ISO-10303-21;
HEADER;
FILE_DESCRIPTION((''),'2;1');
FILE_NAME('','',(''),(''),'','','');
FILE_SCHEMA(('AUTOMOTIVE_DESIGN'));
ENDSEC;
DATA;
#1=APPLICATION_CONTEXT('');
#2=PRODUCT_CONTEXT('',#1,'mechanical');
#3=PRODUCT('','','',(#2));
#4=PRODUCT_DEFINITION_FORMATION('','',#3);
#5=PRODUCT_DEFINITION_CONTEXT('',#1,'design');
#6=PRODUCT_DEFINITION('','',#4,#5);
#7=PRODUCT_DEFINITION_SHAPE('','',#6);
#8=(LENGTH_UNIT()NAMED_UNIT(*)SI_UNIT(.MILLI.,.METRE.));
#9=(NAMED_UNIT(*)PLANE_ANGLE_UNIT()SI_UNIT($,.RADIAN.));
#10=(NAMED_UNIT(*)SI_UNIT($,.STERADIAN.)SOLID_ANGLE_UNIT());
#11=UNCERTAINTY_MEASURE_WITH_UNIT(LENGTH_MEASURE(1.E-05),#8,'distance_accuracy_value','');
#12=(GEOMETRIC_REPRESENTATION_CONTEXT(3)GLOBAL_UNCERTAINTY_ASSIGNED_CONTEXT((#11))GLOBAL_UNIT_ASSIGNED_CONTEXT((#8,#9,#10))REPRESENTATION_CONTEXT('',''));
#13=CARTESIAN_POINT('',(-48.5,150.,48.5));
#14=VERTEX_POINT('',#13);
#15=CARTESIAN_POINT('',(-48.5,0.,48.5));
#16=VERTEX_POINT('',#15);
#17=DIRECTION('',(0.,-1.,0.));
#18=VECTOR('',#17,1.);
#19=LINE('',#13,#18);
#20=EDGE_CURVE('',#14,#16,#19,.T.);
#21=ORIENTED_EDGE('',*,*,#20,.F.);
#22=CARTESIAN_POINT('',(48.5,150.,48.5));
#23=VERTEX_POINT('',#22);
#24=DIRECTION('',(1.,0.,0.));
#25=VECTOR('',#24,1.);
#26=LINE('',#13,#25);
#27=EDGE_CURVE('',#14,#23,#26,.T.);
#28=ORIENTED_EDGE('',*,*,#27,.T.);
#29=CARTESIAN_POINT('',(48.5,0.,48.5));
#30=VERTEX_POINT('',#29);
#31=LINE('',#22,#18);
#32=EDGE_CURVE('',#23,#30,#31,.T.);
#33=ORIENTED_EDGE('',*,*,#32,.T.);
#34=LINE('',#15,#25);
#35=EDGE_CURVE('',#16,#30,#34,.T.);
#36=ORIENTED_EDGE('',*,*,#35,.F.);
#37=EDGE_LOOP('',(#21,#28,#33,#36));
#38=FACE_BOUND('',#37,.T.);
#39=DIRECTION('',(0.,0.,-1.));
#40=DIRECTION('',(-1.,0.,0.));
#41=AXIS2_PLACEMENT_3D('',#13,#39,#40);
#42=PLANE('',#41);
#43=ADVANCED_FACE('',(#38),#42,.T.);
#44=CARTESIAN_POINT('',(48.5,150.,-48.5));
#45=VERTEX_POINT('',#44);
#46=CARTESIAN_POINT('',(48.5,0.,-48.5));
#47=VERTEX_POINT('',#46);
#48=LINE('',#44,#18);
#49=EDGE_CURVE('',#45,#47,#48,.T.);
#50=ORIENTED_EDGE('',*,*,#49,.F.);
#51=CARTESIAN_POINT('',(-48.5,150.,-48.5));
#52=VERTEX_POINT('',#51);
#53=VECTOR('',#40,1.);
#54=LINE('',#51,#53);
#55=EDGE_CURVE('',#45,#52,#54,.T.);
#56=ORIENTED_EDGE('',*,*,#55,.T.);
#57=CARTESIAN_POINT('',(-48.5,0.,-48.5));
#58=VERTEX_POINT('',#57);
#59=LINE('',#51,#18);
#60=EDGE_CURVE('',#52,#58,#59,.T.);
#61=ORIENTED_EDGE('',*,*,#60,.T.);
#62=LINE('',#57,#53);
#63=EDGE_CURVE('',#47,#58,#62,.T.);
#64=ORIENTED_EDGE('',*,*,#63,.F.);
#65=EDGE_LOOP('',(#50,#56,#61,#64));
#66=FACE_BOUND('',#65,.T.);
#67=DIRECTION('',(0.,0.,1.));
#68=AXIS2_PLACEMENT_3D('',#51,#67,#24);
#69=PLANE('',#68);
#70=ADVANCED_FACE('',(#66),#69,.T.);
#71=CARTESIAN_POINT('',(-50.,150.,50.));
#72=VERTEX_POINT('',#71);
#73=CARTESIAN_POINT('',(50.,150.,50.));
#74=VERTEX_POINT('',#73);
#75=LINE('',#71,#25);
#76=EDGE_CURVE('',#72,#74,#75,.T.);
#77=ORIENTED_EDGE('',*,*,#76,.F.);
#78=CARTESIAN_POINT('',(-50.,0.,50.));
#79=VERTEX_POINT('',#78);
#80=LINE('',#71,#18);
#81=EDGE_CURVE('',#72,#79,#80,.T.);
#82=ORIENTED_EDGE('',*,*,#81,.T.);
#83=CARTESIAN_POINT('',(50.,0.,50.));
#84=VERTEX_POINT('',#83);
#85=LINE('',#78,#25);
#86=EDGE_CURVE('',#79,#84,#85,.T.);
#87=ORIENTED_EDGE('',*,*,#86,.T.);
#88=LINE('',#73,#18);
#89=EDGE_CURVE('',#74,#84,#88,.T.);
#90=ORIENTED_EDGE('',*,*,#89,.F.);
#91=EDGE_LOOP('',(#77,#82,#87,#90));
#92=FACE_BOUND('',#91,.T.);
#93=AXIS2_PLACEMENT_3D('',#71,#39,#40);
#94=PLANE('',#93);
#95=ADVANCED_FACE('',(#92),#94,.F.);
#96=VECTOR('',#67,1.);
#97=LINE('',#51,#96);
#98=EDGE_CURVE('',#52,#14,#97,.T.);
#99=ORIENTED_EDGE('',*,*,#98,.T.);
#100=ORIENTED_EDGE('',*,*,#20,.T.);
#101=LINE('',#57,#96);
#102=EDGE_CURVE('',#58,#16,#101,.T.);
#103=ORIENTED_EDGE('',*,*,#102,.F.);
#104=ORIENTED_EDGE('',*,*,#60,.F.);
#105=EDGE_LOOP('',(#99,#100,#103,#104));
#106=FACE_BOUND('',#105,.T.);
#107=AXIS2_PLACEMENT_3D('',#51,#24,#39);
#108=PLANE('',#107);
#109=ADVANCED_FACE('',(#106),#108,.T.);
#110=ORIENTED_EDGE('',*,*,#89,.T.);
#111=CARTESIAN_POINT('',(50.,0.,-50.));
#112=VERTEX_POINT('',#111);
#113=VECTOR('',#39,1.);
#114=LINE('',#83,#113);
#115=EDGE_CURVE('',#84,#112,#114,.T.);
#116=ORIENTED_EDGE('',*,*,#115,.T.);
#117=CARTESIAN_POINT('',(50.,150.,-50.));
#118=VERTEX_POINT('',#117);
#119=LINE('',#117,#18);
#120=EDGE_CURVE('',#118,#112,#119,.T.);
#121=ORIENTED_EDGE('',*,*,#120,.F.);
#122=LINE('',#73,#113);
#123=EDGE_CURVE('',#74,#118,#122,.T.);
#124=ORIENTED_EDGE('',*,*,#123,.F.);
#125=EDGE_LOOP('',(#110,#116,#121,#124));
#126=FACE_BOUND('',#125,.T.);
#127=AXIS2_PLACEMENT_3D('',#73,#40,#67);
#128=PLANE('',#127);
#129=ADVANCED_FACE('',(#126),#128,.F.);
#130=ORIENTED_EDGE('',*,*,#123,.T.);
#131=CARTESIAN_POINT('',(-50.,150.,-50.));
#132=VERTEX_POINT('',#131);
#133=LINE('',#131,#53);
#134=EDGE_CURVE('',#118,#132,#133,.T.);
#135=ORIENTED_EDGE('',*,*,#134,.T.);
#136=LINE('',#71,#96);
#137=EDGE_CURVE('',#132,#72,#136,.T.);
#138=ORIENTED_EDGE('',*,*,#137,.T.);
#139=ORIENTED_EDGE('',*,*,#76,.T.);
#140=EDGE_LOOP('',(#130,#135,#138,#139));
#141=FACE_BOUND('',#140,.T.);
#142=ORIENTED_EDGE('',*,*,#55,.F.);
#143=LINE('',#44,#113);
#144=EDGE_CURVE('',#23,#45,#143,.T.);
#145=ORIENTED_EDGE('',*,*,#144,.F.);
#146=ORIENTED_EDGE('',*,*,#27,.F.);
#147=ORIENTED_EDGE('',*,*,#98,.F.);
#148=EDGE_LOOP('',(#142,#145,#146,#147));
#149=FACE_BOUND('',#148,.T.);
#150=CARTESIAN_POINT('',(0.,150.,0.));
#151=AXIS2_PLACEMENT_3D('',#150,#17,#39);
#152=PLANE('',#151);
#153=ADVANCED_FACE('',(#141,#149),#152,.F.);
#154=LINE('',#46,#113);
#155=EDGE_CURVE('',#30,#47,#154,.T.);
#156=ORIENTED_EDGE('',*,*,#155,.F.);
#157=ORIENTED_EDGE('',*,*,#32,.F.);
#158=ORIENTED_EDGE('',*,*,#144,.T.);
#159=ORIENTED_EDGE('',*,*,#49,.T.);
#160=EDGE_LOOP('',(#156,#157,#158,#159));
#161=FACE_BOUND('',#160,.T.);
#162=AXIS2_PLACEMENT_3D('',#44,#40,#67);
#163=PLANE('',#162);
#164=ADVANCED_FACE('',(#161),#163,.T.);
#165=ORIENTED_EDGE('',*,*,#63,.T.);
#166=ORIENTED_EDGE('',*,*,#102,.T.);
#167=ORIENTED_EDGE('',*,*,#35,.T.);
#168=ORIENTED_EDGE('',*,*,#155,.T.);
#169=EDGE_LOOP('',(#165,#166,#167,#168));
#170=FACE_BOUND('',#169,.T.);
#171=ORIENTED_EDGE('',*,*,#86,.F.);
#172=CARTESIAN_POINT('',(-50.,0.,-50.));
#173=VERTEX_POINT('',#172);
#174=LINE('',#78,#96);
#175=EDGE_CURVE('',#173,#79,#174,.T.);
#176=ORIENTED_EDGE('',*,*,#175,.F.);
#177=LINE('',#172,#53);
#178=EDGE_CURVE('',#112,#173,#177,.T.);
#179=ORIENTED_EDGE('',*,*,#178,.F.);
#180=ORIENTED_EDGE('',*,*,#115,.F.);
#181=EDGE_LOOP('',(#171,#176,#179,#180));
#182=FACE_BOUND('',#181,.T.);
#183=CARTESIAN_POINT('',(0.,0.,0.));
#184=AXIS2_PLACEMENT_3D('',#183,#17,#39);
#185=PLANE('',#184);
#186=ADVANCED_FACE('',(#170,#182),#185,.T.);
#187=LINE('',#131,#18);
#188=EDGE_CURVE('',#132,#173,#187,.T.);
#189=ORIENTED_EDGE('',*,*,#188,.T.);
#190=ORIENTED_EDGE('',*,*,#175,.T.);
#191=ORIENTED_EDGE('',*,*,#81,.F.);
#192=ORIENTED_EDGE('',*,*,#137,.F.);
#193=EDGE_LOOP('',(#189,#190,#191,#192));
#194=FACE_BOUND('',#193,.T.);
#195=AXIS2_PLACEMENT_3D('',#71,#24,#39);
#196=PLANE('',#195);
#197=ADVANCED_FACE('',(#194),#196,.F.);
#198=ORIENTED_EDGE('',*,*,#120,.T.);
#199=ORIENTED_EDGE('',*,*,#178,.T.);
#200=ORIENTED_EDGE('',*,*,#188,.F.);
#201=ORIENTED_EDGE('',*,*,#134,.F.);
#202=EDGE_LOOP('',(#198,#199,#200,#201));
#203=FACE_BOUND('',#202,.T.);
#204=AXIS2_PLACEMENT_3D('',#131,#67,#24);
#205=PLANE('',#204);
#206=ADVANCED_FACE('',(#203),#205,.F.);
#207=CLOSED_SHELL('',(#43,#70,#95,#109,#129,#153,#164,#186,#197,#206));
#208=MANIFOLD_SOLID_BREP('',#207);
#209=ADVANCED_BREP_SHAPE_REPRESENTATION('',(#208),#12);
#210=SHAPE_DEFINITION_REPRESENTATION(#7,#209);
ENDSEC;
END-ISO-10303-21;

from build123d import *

# Parameters (mm, degrees)
SKETCH1_W           = 100
SKETCH1_H           = 100
SKETCH1_W_2         = 97
SKETCH1_H_2         = 97
BOSS_EXTRUDE1_DEPTH = 150


with BuildPart() as part:
    # Sketch1 → Boss-Extrude1 (new body)
    with BuildSketch(Plane(origin=(0, 0, 0), x_dir=(1, 0, 0), z_dir=(0, 1, 0))):
        Rectangle(SKETCH1_W, SKETCH1_H)
        Rectangle(SKETCH1_W_2, SKETCH1_H_2, mode=Mode.SUBTRACT)
    extrude(amount=BOSS_EXTRUDE1_DEPTH)


solid = part.part
